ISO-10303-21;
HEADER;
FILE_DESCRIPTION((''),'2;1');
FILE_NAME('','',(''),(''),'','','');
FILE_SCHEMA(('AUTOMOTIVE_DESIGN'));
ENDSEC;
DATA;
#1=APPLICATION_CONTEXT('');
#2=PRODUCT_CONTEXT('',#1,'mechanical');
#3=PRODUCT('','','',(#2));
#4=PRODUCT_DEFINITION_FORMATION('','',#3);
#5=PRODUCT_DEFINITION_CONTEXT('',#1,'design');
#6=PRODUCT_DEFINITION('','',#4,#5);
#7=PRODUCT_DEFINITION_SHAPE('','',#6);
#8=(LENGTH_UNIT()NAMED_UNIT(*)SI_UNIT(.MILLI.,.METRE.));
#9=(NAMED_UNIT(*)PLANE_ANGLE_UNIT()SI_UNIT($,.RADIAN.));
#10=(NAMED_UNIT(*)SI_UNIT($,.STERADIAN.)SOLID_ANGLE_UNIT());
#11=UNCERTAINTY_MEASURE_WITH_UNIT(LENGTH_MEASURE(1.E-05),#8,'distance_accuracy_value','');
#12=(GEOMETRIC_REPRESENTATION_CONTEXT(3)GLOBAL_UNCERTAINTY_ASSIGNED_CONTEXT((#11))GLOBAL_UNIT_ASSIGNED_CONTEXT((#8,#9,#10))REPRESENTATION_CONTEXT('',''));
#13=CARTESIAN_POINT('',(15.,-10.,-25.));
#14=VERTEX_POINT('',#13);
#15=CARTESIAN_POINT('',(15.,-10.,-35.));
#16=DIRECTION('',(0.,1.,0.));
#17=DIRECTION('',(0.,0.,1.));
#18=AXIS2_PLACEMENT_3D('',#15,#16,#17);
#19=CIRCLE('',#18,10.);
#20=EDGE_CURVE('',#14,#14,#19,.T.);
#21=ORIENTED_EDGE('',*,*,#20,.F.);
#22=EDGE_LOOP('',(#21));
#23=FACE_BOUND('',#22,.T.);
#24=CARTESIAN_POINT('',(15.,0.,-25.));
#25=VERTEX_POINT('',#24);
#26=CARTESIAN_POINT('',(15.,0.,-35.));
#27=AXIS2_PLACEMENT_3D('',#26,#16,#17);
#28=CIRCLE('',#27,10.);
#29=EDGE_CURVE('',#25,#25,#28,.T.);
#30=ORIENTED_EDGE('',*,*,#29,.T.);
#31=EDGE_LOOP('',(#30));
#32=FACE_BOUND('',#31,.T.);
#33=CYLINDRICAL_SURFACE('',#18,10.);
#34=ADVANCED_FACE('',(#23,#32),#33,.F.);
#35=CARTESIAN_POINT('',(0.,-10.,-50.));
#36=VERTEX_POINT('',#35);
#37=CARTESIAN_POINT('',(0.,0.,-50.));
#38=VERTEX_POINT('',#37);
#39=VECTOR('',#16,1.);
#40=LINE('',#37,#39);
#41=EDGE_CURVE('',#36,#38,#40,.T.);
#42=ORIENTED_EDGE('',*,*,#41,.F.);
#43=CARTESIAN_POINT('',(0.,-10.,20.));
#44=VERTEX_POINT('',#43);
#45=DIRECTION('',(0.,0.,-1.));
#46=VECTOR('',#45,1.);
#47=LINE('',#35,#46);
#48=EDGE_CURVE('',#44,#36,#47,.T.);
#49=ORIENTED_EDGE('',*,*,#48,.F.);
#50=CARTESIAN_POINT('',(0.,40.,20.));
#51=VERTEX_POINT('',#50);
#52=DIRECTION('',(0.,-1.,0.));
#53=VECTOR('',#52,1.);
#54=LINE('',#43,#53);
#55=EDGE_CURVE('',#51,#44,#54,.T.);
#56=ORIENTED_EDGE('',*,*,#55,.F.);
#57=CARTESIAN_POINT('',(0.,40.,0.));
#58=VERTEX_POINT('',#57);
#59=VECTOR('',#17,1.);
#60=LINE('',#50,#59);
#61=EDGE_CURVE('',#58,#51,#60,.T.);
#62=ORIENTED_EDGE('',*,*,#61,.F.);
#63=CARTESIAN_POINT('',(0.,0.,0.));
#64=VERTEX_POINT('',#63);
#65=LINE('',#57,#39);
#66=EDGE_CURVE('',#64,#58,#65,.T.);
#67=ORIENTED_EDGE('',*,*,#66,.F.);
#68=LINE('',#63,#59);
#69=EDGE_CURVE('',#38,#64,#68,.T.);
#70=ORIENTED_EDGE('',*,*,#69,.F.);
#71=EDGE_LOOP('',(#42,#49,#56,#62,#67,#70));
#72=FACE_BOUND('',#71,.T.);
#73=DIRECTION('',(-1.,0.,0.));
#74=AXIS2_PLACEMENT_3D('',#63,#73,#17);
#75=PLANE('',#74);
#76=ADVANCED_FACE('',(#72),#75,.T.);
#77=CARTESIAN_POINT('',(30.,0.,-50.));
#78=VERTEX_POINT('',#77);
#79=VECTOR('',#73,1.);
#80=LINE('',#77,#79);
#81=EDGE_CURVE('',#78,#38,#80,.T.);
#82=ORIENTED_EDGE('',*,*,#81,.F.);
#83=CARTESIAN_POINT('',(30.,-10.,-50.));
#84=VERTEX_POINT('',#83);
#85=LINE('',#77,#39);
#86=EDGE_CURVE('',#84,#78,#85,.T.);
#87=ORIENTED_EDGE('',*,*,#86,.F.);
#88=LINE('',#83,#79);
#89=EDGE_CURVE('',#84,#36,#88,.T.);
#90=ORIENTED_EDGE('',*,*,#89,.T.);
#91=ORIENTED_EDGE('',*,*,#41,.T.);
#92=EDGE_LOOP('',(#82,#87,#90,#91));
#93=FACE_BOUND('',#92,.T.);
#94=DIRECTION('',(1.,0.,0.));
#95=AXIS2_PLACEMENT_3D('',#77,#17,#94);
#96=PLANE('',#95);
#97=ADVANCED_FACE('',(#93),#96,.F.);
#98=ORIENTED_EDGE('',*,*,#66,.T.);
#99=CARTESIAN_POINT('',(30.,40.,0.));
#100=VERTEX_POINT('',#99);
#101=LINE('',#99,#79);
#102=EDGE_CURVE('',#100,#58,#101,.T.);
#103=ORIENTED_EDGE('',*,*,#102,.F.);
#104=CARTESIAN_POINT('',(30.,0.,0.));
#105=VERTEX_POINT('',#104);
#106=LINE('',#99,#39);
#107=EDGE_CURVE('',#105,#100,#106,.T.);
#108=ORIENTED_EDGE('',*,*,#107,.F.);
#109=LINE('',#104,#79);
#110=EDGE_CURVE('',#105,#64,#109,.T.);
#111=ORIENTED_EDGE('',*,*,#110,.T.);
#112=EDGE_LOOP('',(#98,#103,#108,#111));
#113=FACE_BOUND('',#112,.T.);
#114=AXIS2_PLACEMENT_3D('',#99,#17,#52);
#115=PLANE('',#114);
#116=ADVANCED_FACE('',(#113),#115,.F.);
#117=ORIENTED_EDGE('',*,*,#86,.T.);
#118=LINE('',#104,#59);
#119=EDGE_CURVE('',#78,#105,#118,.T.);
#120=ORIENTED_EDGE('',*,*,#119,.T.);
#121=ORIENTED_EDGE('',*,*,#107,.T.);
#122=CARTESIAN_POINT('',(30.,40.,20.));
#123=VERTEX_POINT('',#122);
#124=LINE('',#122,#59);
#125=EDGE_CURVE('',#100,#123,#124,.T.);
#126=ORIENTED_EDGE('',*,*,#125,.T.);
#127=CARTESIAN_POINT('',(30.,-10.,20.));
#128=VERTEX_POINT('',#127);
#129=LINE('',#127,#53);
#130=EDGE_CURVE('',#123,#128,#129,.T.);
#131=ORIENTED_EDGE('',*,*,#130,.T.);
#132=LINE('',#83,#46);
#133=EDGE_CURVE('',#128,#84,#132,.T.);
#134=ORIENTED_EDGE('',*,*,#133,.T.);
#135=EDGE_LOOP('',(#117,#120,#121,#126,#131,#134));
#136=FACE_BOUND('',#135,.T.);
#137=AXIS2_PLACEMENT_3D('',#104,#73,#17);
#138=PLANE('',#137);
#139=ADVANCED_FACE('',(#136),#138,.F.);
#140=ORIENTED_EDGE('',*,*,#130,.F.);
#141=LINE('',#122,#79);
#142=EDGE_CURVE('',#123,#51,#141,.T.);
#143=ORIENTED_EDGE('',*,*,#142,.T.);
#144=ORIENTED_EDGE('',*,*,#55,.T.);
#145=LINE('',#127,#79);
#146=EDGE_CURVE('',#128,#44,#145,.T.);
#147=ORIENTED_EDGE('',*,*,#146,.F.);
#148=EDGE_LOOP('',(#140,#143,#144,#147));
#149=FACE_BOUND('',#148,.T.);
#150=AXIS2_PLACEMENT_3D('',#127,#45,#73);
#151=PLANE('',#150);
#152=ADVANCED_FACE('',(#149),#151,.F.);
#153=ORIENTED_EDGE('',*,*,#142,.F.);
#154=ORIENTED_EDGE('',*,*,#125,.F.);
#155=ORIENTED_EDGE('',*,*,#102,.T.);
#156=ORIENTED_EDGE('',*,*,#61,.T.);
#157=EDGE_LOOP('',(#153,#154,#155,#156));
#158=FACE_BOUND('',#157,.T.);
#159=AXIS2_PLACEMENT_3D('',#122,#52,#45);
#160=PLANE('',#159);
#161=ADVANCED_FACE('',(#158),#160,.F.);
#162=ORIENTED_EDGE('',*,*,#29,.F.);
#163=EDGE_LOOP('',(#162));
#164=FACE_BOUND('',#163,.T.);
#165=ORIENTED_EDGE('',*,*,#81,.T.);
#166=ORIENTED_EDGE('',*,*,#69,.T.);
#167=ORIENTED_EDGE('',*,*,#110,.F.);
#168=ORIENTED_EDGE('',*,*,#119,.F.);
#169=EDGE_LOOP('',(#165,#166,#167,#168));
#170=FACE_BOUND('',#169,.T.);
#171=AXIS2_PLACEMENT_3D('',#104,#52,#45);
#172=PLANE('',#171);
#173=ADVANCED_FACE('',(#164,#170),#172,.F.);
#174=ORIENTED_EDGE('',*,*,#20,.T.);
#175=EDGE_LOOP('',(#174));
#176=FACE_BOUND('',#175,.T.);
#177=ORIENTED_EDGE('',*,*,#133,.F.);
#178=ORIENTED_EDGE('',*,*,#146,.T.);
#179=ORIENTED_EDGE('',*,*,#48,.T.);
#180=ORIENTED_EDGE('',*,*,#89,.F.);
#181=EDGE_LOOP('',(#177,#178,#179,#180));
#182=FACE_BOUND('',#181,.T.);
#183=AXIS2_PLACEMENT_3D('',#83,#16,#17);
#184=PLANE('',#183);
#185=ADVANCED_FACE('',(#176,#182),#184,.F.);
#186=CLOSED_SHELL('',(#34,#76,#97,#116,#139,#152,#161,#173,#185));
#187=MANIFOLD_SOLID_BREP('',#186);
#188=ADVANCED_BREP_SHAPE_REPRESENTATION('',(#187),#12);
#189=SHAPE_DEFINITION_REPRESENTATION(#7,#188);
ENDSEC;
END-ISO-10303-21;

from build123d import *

# Parameters (mm, degrees)
BOSS_EXTRUDE1_DEPTH = 30
SKETCH2_R           = 10
CUT_EXTRUDE1_DEPTH  = 10


with BuildPart() as part:
    # Sketch1 → Boss-Extrude1 (new body)
    with BuildSketch(Plane(origin=(0, 0, 0), x_dir=(0, 0, -1), z_dir=(1, 0, 0))):
        Polygon((0, 40), (0, 0), (50, 0), (50, -10), (-20, -10), (-20, 40), align=None)
    extrude(amount=BOSS_EXTRUDE1_DEPTH)

    # Sketch2 → Cut-Extrude1 (cut)
    with BuildSketch(Plane(origin=(0, 0, 0), x_dir=(1, 0, 0), z_dir=(0, 1, 0))):
        with Locations(Location((15, 35, 0), (0, 0, 270))):
            Circle(SKETCH2_R)
    extrude(amount=-CUT_EXTRUDE1_DEPTH, mode=Mode.SUBTRACT)


solid = part.part
